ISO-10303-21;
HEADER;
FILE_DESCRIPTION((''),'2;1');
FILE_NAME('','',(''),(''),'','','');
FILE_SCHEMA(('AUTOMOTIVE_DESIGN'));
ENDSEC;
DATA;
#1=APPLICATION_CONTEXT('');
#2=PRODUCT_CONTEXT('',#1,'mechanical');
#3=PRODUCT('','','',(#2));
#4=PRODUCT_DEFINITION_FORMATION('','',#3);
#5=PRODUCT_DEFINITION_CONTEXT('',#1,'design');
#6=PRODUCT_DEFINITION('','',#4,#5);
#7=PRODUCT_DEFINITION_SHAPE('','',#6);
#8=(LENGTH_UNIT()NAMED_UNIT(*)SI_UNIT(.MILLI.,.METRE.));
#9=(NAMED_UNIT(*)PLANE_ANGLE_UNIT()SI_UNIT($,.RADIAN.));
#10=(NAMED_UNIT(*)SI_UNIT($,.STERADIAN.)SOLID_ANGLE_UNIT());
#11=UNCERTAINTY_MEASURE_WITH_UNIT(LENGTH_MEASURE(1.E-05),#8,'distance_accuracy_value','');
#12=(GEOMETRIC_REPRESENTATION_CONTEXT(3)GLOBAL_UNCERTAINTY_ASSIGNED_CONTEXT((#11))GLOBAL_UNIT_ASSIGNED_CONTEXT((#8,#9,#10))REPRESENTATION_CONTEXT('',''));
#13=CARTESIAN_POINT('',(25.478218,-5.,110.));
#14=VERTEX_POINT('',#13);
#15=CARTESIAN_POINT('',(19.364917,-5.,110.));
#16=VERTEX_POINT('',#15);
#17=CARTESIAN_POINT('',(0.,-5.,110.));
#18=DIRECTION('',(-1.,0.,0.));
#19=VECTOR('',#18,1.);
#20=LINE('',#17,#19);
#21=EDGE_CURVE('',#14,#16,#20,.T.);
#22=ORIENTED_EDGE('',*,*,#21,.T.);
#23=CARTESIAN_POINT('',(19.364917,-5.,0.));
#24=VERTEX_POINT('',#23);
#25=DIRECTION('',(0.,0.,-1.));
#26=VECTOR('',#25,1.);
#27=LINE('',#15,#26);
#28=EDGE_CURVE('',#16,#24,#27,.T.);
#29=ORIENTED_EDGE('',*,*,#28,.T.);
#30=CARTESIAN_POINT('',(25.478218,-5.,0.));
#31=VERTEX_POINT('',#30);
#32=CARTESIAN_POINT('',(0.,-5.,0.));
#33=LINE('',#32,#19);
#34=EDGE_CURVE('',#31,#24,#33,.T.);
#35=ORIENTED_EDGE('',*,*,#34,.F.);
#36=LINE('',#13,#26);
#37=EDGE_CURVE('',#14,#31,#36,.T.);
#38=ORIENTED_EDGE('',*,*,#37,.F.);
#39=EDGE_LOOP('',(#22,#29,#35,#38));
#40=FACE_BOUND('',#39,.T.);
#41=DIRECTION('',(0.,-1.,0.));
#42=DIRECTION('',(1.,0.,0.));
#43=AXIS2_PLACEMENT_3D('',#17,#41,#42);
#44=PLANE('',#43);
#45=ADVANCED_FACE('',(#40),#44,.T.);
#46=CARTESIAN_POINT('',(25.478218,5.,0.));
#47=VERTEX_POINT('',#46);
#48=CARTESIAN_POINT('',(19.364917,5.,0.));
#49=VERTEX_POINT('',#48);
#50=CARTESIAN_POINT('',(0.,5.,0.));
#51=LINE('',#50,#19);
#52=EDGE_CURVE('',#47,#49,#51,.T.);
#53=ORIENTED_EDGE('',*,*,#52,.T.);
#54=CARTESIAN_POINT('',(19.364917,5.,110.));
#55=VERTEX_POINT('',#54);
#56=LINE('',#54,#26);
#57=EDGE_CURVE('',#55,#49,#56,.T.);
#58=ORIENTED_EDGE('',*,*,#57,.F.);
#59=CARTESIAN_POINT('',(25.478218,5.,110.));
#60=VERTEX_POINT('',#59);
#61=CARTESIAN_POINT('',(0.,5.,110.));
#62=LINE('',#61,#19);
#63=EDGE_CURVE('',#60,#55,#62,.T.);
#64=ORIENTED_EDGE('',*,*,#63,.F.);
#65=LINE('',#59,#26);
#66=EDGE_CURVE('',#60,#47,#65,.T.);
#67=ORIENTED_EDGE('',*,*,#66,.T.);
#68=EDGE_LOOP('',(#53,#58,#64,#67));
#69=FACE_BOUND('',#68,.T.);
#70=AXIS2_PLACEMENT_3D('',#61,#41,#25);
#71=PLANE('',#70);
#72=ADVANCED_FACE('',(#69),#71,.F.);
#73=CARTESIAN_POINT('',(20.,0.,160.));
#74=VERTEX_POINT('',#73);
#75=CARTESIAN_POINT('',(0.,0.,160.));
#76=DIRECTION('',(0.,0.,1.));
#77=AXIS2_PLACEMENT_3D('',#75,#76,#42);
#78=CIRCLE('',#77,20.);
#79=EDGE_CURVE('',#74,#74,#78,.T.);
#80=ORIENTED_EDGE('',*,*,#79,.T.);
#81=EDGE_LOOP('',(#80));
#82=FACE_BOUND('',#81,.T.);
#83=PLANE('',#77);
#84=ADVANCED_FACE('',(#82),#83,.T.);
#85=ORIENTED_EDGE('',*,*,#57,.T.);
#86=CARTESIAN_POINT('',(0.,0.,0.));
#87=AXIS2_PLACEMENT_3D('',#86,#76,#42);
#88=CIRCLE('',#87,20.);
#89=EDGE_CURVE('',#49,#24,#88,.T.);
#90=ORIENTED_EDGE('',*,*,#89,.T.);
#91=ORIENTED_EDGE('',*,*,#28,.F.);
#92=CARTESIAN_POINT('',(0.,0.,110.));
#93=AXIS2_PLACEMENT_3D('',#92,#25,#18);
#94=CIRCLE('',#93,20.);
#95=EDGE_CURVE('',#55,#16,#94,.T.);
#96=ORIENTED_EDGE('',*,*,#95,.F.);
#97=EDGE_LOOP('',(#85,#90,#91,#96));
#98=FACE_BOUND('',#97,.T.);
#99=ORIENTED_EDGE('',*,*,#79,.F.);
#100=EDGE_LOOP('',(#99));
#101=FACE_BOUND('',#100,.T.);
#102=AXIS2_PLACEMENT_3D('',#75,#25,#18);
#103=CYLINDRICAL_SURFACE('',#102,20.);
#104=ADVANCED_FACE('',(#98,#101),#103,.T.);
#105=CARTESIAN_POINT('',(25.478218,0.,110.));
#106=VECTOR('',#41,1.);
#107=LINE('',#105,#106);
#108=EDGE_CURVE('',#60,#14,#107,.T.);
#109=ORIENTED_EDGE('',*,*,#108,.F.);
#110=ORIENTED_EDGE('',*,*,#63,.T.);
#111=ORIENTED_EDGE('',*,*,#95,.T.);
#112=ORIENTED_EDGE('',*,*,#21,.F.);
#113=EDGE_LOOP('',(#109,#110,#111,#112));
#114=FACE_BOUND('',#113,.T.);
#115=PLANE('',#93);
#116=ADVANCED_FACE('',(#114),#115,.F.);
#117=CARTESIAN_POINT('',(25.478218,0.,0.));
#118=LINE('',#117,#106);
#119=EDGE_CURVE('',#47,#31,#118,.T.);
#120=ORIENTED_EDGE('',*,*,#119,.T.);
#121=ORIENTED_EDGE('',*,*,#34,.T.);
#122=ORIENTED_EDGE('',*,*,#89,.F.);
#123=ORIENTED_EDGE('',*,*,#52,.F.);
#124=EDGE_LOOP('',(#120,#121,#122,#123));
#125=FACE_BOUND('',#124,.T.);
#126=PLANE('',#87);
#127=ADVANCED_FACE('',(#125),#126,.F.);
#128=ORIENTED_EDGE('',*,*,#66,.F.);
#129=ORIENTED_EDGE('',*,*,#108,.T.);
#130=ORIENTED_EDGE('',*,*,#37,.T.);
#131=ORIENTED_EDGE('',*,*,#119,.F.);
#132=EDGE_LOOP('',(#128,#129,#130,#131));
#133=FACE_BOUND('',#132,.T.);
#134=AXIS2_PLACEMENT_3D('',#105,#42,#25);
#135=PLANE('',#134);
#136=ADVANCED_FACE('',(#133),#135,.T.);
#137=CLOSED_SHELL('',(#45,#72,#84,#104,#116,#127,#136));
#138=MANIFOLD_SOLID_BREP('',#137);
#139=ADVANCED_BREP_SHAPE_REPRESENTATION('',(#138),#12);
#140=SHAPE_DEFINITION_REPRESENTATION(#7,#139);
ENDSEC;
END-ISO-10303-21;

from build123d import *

# Parameters (mm, degrees)
SKETCH1_R           = 20
BOSS_EXTRUDE1_DEPTH = 160
BOSS_EXTRUDE2_DEPTH = 110


with BuildPart() as part:
    # Sketch1 → Boss-Extrude1 (new body)
    with BuildSketch(Plane.XY):
        Circle(SKETCH1_R)
    extrude(amount=BOSS_EXTRUDE1_DEPTH)

    # Sketch2 → Boss-Extrude2 (add)
    with BuildSketch(Plane(origin=(0, 0, 0), x_dir=(-1, 0, 0), z_dir=(0, 0, -1))):
        with BuildLine():
            Line((-19.364916731, 5), (-25.478218102, 5))
            Line((-25.478218102, 5), (-25.478218102, -5))
            Line((-25.478218102, -5), (-19.364916731, -5))
            ThreePointArc((-19.364916731, -5), (-20, 0), (-19.364916731, 5))
        make_face()
    extrude(amount=-BOSS_EXTRUDE2_DEPTH)


solid = part.part
